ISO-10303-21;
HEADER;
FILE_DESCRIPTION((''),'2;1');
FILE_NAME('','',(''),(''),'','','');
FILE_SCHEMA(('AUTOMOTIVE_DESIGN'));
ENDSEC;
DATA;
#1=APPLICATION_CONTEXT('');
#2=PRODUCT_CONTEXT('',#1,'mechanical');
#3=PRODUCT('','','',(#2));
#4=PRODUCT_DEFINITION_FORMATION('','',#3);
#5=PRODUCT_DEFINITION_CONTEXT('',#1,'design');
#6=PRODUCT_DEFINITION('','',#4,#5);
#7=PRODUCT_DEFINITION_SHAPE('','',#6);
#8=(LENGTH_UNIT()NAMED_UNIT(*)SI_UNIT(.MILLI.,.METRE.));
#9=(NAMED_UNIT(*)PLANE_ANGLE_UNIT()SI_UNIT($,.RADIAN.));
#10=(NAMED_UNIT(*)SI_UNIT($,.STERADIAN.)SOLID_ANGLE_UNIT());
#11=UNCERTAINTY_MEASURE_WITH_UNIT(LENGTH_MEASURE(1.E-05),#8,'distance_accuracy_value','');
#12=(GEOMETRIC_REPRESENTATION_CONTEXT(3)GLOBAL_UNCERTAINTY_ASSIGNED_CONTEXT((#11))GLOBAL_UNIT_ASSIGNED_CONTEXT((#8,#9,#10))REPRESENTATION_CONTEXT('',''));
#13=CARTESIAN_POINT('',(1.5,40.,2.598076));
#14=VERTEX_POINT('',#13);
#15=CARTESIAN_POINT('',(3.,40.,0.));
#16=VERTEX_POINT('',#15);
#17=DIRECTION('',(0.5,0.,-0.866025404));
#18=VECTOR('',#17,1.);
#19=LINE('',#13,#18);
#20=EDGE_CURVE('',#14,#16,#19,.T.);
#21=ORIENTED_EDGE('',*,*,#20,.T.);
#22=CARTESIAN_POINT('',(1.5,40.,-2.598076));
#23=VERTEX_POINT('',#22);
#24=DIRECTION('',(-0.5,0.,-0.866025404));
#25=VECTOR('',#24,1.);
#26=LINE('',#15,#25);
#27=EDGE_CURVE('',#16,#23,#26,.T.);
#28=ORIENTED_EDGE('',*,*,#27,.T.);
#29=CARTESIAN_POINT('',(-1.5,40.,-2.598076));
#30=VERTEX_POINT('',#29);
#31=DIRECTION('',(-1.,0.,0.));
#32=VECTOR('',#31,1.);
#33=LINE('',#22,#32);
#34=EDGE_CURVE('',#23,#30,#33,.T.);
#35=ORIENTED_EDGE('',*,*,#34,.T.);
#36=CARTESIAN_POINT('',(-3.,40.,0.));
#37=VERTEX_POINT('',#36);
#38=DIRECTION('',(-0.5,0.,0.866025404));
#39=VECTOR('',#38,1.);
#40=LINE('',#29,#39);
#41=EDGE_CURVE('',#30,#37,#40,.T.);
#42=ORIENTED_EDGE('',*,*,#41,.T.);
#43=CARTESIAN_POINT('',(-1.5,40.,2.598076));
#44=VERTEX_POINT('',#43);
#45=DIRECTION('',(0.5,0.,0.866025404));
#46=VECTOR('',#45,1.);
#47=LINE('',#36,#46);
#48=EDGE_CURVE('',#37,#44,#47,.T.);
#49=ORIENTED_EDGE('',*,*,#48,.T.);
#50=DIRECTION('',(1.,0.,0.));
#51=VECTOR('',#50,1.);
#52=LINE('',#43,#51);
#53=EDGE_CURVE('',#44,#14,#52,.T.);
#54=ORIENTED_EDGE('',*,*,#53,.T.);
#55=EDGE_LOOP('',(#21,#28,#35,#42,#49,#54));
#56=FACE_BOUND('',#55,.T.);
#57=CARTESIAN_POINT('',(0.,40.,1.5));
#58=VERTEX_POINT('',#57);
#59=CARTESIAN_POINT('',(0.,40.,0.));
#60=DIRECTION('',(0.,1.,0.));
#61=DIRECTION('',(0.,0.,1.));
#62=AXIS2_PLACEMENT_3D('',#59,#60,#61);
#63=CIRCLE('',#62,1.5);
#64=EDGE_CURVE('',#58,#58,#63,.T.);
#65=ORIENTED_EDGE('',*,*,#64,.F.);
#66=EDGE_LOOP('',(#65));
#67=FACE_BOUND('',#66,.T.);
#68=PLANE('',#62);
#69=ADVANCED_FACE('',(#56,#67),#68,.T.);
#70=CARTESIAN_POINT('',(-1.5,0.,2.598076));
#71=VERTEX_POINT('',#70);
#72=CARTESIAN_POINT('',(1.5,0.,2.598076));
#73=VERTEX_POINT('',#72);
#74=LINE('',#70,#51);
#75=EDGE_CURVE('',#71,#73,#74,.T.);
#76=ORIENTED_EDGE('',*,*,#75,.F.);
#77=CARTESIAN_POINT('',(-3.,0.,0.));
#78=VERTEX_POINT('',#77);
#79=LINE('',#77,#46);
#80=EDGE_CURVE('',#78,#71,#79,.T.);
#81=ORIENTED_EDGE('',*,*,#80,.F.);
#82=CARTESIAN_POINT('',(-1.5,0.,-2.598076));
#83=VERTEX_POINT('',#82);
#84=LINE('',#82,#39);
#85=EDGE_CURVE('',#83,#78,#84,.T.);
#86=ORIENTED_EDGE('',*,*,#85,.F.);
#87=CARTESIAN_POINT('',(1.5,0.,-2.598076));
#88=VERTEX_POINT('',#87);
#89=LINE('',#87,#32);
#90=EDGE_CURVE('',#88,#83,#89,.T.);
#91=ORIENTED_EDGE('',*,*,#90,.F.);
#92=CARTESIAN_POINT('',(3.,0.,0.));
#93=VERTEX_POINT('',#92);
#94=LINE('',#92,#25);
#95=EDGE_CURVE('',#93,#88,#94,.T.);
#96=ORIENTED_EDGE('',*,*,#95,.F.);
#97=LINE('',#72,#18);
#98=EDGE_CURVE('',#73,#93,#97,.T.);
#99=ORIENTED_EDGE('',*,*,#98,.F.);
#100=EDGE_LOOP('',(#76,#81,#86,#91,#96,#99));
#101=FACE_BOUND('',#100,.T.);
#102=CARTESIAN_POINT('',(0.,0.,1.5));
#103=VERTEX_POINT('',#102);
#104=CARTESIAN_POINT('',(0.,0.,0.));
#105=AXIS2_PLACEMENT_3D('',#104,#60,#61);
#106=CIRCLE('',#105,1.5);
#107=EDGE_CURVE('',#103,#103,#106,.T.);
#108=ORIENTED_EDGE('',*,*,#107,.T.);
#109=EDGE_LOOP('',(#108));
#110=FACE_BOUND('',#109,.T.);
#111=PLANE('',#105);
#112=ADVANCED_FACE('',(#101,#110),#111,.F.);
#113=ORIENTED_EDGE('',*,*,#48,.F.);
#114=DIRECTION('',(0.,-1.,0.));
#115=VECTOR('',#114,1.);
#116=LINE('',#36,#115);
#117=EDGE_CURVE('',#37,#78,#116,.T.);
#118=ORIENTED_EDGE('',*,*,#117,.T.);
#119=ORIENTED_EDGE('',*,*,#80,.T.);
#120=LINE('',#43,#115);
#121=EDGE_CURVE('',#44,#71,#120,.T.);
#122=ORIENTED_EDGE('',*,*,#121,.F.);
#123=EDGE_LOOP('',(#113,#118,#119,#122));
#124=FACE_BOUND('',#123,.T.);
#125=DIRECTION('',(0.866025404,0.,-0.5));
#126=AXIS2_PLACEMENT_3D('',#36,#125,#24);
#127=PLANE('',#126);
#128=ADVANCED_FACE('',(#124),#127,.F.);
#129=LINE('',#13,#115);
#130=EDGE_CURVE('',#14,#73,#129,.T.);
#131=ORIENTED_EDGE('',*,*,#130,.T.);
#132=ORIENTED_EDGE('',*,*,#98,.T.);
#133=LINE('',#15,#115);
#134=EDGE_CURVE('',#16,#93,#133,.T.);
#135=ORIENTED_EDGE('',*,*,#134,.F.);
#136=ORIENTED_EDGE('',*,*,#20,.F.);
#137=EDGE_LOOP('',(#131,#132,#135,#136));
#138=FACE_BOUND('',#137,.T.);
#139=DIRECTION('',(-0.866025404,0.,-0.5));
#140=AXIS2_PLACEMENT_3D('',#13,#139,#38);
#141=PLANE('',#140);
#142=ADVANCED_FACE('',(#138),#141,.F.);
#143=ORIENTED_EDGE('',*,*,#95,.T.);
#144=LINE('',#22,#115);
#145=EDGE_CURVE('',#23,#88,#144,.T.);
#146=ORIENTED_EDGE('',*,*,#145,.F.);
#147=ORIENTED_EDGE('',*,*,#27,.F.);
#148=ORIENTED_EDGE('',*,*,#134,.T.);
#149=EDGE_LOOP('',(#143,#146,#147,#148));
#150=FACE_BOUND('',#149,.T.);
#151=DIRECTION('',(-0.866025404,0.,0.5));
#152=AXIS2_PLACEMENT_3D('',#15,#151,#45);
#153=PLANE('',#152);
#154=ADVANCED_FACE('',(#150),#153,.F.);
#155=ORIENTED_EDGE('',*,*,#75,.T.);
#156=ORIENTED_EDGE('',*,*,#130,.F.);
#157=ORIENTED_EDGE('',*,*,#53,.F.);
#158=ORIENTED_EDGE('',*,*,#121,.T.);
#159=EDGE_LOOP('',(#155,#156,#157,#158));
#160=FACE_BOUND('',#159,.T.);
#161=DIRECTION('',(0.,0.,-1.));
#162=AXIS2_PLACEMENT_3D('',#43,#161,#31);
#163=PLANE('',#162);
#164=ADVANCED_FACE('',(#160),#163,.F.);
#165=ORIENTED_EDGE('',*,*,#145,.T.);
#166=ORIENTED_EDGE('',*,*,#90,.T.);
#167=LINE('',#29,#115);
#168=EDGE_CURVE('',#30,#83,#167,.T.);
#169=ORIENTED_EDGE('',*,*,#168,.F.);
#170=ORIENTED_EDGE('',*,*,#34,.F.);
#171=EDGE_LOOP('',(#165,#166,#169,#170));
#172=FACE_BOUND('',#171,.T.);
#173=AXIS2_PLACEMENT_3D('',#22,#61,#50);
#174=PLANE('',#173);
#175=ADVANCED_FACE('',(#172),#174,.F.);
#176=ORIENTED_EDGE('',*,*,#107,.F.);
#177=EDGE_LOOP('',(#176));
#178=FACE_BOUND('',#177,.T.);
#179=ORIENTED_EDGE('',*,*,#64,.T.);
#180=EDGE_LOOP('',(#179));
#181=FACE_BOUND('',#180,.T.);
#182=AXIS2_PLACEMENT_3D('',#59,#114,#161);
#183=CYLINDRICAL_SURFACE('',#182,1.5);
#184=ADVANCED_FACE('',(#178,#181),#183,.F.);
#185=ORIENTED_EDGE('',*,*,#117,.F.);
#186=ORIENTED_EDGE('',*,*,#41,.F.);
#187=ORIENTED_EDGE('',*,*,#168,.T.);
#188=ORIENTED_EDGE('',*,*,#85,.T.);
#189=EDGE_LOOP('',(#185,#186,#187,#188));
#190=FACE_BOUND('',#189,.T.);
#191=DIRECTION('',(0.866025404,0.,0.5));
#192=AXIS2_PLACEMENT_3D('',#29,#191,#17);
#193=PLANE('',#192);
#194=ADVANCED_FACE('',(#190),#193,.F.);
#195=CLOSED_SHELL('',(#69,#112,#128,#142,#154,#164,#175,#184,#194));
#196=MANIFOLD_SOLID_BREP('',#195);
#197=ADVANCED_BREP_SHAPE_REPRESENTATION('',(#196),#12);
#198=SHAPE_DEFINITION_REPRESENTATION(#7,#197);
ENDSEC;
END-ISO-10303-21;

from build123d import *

# Parameters (mm, degrees)
SKETCH_1_R      = 1.5
EXTRUDE_1_DEPTH = 40


with BuildPart() as part:
    # 草图1 → 凸台-拉伸1 (new body)
    with BuildSketch(Plane(origin=(0, 0, 0), x_dir=(1, 0, 0), z_dir=(0, 1, 0))):
        Polygon((3, 0), (1.5, 2.598076211), (-1.5, 2.598076211), (-3, 0), (-1.5, -2.598076211), (1.5, -2.598076211), align=None)
        Circle(SKETCH_1_R, mode=Mode.SUBTRACT)
    extrude(amount=EXTRUDE_1_DEPTH)


solid = part.part
